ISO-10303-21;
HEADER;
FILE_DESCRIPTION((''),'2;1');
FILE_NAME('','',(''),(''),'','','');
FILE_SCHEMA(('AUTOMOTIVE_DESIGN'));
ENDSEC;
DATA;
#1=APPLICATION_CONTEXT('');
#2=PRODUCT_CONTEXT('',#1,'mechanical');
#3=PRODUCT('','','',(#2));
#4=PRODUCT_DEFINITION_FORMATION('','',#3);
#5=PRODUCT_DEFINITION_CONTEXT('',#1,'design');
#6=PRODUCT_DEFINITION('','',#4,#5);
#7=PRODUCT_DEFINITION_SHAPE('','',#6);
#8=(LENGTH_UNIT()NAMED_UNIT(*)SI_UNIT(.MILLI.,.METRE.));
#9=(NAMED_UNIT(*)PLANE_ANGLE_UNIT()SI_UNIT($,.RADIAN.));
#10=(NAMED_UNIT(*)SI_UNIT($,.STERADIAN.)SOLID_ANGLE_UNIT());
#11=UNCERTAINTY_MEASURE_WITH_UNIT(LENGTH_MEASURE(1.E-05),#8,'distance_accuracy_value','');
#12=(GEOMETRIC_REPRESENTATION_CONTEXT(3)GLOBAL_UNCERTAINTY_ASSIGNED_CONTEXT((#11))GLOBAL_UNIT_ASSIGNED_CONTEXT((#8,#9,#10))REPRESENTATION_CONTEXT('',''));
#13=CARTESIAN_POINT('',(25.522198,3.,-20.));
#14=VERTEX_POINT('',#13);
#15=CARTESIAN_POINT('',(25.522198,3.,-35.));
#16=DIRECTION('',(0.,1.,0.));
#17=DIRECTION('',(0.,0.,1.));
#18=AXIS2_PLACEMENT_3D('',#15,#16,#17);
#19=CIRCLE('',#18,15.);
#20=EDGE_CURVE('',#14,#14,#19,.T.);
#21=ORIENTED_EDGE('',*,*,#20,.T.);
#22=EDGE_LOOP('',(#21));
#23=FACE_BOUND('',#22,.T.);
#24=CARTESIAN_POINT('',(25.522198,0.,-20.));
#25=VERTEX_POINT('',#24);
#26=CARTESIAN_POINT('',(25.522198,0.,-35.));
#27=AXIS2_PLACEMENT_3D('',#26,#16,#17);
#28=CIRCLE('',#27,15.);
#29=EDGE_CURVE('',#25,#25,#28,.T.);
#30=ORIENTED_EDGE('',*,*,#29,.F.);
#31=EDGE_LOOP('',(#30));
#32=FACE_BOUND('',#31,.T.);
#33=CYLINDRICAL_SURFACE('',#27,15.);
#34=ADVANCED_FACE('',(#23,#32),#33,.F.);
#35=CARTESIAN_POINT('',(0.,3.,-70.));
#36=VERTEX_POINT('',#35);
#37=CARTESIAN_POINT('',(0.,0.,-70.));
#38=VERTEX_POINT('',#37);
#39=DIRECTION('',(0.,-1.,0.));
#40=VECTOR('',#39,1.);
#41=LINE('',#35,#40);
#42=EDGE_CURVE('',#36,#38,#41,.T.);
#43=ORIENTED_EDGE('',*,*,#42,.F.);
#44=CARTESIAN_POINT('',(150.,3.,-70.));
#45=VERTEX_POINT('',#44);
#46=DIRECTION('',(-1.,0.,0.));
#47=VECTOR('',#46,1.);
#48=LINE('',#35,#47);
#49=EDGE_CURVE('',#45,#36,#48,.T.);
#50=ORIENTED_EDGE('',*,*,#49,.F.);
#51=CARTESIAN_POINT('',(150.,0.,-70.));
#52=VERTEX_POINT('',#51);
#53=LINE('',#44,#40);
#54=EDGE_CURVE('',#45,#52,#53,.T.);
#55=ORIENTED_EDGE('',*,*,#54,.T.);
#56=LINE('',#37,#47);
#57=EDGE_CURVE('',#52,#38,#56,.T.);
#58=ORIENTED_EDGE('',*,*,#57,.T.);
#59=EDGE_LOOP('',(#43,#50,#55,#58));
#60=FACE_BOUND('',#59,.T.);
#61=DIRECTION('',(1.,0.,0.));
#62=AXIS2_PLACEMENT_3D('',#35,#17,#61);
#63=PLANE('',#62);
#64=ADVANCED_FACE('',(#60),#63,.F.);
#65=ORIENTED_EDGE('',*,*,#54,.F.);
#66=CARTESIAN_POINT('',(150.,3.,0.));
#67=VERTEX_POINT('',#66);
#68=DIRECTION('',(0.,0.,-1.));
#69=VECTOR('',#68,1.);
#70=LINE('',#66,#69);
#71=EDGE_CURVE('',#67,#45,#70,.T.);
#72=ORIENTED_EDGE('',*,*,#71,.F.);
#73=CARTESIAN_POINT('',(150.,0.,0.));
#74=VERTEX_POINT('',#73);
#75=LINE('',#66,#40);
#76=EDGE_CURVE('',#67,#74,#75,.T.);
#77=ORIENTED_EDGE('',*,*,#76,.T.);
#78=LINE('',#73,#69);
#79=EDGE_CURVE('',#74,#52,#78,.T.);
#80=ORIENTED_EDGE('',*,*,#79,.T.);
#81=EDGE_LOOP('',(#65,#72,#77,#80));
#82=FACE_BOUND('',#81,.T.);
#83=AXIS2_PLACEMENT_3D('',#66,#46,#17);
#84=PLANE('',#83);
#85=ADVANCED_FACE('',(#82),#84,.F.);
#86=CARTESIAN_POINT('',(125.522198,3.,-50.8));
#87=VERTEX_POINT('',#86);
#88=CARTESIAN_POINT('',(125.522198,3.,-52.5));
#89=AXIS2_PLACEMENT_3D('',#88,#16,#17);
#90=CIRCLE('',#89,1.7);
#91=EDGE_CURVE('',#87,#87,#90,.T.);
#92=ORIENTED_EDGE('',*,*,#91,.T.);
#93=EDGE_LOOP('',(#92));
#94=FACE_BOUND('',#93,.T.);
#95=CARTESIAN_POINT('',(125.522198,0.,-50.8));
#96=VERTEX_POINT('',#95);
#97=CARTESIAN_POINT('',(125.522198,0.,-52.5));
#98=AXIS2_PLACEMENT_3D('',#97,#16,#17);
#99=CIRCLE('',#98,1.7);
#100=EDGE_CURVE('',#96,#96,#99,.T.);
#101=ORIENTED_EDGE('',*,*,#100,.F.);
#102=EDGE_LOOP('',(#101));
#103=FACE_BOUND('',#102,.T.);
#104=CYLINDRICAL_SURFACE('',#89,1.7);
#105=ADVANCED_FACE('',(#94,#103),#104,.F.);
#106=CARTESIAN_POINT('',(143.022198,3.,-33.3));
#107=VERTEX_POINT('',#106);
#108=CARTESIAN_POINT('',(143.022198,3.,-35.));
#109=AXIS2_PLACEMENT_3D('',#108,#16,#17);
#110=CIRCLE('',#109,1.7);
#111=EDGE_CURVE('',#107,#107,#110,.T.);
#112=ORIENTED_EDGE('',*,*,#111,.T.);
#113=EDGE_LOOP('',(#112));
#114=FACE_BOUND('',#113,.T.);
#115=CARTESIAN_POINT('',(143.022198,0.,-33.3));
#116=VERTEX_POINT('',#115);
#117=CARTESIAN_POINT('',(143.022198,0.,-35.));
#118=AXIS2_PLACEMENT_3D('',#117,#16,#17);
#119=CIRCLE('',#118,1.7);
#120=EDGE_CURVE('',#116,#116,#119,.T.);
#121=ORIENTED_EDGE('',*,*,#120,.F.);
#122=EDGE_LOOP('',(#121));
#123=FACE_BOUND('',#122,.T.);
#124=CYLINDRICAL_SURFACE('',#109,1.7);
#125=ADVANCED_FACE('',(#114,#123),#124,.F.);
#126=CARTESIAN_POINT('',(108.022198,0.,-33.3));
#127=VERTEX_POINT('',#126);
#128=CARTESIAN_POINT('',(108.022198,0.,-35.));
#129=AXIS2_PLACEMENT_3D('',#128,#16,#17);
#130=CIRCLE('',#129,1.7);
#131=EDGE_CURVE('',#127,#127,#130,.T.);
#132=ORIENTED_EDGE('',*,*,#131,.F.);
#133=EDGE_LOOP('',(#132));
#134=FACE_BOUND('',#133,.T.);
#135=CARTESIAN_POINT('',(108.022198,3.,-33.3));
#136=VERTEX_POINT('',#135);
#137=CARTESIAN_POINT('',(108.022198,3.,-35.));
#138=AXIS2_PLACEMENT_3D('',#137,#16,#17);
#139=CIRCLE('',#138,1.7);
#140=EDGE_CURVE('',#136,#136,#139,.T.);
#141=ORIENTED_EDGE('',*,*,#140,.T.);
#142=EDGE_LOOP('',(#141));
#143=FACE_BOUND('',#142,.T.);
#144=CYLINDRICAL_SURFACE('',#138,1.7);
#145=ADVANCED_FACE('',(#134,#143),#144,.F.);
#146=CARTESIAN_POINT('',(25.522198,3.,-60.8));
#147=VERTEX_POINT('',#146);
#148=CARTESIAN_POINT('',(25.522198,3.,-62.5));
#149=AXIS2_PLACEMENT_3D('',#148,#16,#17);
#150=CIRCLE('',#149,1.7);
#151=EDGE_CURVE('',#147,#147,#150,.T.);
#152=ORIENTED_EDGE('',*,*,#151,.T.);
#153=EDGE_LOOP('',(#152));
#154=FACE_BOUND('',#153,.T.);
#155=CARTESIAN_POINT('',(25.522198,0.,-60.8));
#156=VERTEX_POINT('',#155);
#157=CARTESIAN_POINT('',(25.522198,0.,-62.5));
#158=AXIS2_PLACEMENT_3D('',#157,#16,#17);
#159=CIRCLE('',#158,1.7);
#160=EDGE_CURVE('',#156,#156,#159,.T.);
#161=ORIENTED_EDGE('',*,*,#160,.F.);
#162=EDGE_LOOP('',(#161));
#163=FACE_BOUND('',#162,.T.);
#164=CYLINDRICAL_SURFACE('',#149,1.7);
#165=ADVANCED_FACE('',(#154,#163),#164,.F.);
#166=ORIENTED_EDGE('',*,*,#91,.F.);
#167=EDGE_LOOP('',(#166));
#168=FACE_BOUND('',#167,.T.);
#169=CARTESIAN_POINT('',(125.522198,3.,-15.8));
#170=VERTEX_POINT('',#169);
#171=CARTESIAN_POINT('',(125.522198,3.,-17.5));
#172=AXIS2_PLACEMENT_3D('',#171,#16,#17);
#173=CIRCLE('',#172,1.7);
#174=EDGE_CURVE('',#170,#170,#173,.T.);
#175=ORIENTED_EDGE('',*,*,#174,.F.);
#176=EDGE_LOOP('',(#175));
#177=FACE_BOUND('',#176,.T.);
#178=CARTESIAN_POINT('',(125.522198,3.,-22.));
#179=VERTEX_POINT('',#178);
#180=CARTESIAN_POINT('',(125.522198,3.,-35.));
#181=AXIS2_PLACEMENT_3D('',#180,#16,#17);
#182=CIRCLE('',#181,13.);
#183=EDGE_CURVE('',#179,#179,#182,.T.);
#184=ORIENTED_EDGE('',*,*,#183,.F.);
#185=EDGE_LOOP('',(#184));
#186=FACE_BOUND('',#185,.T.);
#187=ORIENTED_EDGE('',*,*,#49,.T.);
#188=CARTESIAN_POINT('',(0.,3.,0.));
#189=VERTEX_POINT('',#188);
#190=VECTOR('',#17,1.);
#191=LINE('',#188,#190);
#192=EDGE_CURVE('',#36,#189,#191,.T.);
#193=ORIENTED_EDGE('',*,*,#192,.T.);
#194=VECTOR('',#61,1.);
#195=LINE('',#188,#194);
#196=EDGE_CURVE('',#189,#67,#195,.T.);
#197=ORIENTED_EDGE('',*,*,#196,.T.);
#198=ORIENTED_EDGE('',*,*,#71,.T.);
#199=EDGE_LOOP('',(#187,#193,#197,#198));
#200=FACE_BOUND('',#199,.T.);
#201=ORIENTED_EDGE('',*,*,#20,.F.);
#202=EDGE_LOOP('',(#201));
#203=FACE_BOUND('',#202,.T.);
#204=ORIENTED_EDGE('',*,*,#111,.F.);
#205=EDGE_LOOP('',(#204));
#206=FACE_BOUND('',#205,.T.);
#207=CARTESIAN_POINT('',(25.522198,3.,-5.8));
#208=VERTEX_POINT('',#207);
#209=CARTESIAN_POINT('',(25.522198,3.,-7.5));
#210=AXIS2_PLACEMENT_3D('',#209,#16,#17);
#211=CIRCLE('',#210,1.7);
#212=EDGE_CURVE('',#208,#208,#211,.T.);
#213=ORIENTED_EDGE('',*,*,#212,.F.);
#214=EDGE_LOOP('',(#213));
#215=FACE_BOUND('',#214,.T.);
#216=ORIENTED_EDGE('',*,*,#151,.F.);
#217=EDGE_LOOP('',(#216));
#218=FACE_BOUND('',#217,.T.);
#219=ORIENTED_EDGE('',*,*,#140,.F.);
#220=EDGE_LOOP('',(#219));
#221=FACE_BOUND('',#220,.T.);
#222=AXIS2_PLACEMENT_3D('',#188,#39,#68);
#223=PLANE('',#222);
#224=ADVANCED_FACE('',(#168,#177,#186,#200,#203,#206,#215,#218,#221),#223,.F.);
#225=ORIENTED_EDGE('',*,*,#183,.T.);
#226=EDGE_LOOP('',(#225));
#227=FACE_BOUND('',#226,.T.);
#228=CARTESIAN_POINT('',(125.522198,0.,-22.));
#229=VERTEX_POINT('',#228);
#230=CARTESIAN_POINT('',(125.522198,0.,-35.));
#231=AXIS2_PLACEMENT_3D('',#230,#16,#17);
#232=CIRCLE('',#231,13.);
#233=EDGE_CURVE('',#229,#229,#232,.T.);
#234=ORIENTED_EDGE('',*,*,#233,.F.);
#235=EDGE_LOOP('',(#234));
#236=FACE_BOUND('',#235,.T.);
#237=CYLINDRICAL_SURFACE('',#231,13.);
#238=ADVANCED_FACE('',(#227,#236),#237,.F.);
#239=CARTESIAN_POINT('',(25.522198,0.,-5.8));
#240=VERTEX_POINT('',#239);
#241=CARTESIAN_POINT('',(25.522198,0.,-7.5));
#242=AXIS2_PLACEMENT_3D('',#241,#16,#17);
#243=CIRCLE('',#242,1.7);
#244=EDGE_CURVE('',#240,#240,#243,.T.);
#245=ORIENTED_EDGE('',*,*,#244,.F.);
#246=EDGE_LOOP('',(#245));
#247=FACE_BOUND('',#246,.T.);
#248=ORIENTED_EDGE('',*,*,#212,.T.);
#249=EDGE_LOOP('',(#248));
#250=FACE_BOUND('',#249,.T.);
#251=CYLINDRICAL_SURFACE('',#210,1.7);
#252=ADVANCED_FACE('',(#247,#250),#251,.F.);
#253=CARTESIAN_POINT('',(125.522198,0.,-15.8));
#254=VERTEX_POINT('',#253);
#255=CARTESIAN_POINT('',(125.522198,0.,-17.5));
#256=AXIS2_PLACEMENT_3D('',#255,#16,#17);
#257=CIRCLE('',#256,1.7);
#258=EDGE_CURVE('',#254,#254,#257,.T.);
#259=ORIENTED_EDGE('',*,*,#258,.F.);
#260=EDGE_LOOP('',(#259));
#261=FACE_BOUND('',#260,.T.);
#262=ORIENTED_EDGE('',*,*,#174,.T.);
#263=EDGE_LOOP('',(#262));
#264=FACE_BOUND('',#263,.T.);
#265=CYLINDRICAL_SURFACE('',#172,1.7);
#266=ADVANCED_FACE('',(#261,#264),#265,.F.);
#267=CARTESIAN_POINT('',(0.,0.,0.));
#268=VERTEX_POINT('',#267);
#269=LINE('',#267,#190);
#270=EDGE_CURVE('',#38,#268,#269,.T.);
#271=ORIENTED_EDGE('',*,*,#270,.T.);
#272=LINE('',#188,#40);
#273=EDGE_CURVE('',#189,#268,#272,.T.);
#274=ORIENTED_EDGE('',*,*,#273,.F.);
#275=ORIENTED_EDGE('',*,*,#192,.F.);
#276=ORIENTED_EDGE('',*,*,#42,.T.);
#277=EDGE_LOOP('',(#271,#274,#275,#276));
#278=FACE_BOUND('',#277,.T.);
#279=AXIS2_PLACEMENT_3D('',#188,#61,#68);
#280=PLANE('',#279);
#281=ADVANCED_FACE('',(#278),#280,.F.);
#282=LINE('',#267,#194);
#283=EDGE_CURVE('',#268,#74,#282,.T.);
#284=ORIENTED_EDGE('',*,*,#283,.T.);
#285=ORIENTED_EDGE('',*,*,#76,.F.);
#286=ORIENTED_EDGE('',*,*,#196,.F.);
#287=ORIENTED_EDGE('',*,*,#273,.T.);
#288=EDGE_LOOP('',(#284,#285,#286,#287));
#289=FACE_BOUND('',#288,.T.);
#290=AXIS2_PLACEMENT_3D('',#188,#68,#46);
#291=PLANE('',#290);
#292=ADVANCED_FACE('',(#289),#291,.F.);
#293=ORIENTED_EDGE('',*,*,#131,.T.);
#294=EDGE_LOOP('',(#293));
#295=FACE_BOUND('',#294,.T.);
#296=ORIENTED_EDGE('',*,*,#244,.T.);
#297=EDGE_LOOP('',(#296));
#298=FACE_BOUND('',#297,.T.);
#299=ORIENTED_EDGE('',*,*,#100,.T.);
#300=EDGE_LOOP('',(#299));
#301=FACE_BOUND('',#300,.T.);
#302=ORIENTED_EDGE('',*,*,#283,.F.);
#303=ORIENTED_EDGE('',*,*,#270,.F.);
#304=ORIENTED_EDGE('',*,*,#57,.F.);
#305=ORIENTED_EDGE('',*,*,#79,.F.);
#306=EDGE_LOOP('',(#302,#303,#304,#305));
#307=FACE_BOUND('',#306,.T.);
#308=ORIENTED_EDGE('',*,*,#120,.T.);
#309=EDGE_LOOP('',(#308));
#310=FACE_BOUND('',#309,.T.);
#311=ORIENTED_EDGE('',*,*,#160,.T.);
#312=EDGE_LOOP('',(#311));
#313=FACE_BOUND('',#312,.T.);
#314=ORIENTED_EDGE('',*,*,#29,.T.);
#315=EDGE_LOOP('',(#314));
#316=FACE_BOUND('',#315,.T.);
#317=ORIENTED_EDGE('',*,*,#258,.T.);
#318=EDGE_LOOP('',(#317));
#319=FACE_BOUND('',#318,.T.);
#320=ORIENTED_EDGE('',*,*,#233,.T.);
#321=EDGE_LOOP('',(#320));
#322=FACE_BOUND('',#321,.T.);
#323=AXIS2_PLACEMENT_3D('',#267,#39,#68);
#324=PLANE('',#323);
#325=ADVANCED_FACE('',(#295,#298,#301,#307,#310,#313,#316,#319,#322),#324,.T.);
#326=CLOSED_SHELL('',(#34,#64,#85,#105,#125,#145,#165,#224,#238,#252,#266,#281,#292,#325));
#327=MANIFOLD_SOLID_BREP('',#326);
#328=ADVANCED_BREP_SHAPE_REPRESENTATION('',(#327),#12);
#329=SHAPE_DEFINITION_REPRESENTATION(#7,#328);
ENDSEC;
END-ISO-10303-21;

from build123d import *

# Parameters (mm, degrees)
SKETCH1_W            = 150
SKETCH1_H            = 70
BOSS_EXTRUDE1_DEPTH  = 3
SKETCH2_R            = 15
SKETCH2_R_2          = 13
CUT_EXTRUDE1_DEPTH   = 166.556636835
M3_CLEARANCE_HOLE1_D = 3.4


with BuildPart() as part:
    # Sketch1 → Boss-Extrude1 (new body)
    with BuildSketch(Plane(origin=(0, 0, 0), x_dir=(1, 0, 0), z_dir=(0, 1, 0))):
        with Locations((75, 35)):
            Rectangle(SKETCH1_W, SKETCH1_H)
    extrude(amount=BOSS_EXTRUDE1_DEPTH)

    # Sketch2 → Cut-Extrude1 (cut, through all)
    with BuildSketch(Plane(origin=(0, 3, 0), x_dir=(1, 0, 0), z_dir=(0, 1, 0))):
        with Locations(Location((25.522198067, 35, 0), (0, 0, 270))):
            Circle(SKETCH2_R)
        with Locations(Location((125.522198067, 35, 0), (0, 0, 270))):
            Circle(SKETCH2_R_2)
    extrude(amount=-CUT_EXTRUDE1_DEPTH, mode=Mode.SUBTRACT)

    # M3 Clearance Hole1 (through all)
    with Locations(Plane(origin=(0, 3, 0), x_dir=(1, 0, 0), z_dir=(0, 1, 0))):
        with Locations((25.522198067, 62.5), (25.522198067, 7.5), (108.022198067, 35), (125.522198067, 52.5), (143.022198067, 35), (125.522198067, 17.5)):
            Hole(M3_CLEARANCE_HOLE1_D / 2)


solid = part.part
